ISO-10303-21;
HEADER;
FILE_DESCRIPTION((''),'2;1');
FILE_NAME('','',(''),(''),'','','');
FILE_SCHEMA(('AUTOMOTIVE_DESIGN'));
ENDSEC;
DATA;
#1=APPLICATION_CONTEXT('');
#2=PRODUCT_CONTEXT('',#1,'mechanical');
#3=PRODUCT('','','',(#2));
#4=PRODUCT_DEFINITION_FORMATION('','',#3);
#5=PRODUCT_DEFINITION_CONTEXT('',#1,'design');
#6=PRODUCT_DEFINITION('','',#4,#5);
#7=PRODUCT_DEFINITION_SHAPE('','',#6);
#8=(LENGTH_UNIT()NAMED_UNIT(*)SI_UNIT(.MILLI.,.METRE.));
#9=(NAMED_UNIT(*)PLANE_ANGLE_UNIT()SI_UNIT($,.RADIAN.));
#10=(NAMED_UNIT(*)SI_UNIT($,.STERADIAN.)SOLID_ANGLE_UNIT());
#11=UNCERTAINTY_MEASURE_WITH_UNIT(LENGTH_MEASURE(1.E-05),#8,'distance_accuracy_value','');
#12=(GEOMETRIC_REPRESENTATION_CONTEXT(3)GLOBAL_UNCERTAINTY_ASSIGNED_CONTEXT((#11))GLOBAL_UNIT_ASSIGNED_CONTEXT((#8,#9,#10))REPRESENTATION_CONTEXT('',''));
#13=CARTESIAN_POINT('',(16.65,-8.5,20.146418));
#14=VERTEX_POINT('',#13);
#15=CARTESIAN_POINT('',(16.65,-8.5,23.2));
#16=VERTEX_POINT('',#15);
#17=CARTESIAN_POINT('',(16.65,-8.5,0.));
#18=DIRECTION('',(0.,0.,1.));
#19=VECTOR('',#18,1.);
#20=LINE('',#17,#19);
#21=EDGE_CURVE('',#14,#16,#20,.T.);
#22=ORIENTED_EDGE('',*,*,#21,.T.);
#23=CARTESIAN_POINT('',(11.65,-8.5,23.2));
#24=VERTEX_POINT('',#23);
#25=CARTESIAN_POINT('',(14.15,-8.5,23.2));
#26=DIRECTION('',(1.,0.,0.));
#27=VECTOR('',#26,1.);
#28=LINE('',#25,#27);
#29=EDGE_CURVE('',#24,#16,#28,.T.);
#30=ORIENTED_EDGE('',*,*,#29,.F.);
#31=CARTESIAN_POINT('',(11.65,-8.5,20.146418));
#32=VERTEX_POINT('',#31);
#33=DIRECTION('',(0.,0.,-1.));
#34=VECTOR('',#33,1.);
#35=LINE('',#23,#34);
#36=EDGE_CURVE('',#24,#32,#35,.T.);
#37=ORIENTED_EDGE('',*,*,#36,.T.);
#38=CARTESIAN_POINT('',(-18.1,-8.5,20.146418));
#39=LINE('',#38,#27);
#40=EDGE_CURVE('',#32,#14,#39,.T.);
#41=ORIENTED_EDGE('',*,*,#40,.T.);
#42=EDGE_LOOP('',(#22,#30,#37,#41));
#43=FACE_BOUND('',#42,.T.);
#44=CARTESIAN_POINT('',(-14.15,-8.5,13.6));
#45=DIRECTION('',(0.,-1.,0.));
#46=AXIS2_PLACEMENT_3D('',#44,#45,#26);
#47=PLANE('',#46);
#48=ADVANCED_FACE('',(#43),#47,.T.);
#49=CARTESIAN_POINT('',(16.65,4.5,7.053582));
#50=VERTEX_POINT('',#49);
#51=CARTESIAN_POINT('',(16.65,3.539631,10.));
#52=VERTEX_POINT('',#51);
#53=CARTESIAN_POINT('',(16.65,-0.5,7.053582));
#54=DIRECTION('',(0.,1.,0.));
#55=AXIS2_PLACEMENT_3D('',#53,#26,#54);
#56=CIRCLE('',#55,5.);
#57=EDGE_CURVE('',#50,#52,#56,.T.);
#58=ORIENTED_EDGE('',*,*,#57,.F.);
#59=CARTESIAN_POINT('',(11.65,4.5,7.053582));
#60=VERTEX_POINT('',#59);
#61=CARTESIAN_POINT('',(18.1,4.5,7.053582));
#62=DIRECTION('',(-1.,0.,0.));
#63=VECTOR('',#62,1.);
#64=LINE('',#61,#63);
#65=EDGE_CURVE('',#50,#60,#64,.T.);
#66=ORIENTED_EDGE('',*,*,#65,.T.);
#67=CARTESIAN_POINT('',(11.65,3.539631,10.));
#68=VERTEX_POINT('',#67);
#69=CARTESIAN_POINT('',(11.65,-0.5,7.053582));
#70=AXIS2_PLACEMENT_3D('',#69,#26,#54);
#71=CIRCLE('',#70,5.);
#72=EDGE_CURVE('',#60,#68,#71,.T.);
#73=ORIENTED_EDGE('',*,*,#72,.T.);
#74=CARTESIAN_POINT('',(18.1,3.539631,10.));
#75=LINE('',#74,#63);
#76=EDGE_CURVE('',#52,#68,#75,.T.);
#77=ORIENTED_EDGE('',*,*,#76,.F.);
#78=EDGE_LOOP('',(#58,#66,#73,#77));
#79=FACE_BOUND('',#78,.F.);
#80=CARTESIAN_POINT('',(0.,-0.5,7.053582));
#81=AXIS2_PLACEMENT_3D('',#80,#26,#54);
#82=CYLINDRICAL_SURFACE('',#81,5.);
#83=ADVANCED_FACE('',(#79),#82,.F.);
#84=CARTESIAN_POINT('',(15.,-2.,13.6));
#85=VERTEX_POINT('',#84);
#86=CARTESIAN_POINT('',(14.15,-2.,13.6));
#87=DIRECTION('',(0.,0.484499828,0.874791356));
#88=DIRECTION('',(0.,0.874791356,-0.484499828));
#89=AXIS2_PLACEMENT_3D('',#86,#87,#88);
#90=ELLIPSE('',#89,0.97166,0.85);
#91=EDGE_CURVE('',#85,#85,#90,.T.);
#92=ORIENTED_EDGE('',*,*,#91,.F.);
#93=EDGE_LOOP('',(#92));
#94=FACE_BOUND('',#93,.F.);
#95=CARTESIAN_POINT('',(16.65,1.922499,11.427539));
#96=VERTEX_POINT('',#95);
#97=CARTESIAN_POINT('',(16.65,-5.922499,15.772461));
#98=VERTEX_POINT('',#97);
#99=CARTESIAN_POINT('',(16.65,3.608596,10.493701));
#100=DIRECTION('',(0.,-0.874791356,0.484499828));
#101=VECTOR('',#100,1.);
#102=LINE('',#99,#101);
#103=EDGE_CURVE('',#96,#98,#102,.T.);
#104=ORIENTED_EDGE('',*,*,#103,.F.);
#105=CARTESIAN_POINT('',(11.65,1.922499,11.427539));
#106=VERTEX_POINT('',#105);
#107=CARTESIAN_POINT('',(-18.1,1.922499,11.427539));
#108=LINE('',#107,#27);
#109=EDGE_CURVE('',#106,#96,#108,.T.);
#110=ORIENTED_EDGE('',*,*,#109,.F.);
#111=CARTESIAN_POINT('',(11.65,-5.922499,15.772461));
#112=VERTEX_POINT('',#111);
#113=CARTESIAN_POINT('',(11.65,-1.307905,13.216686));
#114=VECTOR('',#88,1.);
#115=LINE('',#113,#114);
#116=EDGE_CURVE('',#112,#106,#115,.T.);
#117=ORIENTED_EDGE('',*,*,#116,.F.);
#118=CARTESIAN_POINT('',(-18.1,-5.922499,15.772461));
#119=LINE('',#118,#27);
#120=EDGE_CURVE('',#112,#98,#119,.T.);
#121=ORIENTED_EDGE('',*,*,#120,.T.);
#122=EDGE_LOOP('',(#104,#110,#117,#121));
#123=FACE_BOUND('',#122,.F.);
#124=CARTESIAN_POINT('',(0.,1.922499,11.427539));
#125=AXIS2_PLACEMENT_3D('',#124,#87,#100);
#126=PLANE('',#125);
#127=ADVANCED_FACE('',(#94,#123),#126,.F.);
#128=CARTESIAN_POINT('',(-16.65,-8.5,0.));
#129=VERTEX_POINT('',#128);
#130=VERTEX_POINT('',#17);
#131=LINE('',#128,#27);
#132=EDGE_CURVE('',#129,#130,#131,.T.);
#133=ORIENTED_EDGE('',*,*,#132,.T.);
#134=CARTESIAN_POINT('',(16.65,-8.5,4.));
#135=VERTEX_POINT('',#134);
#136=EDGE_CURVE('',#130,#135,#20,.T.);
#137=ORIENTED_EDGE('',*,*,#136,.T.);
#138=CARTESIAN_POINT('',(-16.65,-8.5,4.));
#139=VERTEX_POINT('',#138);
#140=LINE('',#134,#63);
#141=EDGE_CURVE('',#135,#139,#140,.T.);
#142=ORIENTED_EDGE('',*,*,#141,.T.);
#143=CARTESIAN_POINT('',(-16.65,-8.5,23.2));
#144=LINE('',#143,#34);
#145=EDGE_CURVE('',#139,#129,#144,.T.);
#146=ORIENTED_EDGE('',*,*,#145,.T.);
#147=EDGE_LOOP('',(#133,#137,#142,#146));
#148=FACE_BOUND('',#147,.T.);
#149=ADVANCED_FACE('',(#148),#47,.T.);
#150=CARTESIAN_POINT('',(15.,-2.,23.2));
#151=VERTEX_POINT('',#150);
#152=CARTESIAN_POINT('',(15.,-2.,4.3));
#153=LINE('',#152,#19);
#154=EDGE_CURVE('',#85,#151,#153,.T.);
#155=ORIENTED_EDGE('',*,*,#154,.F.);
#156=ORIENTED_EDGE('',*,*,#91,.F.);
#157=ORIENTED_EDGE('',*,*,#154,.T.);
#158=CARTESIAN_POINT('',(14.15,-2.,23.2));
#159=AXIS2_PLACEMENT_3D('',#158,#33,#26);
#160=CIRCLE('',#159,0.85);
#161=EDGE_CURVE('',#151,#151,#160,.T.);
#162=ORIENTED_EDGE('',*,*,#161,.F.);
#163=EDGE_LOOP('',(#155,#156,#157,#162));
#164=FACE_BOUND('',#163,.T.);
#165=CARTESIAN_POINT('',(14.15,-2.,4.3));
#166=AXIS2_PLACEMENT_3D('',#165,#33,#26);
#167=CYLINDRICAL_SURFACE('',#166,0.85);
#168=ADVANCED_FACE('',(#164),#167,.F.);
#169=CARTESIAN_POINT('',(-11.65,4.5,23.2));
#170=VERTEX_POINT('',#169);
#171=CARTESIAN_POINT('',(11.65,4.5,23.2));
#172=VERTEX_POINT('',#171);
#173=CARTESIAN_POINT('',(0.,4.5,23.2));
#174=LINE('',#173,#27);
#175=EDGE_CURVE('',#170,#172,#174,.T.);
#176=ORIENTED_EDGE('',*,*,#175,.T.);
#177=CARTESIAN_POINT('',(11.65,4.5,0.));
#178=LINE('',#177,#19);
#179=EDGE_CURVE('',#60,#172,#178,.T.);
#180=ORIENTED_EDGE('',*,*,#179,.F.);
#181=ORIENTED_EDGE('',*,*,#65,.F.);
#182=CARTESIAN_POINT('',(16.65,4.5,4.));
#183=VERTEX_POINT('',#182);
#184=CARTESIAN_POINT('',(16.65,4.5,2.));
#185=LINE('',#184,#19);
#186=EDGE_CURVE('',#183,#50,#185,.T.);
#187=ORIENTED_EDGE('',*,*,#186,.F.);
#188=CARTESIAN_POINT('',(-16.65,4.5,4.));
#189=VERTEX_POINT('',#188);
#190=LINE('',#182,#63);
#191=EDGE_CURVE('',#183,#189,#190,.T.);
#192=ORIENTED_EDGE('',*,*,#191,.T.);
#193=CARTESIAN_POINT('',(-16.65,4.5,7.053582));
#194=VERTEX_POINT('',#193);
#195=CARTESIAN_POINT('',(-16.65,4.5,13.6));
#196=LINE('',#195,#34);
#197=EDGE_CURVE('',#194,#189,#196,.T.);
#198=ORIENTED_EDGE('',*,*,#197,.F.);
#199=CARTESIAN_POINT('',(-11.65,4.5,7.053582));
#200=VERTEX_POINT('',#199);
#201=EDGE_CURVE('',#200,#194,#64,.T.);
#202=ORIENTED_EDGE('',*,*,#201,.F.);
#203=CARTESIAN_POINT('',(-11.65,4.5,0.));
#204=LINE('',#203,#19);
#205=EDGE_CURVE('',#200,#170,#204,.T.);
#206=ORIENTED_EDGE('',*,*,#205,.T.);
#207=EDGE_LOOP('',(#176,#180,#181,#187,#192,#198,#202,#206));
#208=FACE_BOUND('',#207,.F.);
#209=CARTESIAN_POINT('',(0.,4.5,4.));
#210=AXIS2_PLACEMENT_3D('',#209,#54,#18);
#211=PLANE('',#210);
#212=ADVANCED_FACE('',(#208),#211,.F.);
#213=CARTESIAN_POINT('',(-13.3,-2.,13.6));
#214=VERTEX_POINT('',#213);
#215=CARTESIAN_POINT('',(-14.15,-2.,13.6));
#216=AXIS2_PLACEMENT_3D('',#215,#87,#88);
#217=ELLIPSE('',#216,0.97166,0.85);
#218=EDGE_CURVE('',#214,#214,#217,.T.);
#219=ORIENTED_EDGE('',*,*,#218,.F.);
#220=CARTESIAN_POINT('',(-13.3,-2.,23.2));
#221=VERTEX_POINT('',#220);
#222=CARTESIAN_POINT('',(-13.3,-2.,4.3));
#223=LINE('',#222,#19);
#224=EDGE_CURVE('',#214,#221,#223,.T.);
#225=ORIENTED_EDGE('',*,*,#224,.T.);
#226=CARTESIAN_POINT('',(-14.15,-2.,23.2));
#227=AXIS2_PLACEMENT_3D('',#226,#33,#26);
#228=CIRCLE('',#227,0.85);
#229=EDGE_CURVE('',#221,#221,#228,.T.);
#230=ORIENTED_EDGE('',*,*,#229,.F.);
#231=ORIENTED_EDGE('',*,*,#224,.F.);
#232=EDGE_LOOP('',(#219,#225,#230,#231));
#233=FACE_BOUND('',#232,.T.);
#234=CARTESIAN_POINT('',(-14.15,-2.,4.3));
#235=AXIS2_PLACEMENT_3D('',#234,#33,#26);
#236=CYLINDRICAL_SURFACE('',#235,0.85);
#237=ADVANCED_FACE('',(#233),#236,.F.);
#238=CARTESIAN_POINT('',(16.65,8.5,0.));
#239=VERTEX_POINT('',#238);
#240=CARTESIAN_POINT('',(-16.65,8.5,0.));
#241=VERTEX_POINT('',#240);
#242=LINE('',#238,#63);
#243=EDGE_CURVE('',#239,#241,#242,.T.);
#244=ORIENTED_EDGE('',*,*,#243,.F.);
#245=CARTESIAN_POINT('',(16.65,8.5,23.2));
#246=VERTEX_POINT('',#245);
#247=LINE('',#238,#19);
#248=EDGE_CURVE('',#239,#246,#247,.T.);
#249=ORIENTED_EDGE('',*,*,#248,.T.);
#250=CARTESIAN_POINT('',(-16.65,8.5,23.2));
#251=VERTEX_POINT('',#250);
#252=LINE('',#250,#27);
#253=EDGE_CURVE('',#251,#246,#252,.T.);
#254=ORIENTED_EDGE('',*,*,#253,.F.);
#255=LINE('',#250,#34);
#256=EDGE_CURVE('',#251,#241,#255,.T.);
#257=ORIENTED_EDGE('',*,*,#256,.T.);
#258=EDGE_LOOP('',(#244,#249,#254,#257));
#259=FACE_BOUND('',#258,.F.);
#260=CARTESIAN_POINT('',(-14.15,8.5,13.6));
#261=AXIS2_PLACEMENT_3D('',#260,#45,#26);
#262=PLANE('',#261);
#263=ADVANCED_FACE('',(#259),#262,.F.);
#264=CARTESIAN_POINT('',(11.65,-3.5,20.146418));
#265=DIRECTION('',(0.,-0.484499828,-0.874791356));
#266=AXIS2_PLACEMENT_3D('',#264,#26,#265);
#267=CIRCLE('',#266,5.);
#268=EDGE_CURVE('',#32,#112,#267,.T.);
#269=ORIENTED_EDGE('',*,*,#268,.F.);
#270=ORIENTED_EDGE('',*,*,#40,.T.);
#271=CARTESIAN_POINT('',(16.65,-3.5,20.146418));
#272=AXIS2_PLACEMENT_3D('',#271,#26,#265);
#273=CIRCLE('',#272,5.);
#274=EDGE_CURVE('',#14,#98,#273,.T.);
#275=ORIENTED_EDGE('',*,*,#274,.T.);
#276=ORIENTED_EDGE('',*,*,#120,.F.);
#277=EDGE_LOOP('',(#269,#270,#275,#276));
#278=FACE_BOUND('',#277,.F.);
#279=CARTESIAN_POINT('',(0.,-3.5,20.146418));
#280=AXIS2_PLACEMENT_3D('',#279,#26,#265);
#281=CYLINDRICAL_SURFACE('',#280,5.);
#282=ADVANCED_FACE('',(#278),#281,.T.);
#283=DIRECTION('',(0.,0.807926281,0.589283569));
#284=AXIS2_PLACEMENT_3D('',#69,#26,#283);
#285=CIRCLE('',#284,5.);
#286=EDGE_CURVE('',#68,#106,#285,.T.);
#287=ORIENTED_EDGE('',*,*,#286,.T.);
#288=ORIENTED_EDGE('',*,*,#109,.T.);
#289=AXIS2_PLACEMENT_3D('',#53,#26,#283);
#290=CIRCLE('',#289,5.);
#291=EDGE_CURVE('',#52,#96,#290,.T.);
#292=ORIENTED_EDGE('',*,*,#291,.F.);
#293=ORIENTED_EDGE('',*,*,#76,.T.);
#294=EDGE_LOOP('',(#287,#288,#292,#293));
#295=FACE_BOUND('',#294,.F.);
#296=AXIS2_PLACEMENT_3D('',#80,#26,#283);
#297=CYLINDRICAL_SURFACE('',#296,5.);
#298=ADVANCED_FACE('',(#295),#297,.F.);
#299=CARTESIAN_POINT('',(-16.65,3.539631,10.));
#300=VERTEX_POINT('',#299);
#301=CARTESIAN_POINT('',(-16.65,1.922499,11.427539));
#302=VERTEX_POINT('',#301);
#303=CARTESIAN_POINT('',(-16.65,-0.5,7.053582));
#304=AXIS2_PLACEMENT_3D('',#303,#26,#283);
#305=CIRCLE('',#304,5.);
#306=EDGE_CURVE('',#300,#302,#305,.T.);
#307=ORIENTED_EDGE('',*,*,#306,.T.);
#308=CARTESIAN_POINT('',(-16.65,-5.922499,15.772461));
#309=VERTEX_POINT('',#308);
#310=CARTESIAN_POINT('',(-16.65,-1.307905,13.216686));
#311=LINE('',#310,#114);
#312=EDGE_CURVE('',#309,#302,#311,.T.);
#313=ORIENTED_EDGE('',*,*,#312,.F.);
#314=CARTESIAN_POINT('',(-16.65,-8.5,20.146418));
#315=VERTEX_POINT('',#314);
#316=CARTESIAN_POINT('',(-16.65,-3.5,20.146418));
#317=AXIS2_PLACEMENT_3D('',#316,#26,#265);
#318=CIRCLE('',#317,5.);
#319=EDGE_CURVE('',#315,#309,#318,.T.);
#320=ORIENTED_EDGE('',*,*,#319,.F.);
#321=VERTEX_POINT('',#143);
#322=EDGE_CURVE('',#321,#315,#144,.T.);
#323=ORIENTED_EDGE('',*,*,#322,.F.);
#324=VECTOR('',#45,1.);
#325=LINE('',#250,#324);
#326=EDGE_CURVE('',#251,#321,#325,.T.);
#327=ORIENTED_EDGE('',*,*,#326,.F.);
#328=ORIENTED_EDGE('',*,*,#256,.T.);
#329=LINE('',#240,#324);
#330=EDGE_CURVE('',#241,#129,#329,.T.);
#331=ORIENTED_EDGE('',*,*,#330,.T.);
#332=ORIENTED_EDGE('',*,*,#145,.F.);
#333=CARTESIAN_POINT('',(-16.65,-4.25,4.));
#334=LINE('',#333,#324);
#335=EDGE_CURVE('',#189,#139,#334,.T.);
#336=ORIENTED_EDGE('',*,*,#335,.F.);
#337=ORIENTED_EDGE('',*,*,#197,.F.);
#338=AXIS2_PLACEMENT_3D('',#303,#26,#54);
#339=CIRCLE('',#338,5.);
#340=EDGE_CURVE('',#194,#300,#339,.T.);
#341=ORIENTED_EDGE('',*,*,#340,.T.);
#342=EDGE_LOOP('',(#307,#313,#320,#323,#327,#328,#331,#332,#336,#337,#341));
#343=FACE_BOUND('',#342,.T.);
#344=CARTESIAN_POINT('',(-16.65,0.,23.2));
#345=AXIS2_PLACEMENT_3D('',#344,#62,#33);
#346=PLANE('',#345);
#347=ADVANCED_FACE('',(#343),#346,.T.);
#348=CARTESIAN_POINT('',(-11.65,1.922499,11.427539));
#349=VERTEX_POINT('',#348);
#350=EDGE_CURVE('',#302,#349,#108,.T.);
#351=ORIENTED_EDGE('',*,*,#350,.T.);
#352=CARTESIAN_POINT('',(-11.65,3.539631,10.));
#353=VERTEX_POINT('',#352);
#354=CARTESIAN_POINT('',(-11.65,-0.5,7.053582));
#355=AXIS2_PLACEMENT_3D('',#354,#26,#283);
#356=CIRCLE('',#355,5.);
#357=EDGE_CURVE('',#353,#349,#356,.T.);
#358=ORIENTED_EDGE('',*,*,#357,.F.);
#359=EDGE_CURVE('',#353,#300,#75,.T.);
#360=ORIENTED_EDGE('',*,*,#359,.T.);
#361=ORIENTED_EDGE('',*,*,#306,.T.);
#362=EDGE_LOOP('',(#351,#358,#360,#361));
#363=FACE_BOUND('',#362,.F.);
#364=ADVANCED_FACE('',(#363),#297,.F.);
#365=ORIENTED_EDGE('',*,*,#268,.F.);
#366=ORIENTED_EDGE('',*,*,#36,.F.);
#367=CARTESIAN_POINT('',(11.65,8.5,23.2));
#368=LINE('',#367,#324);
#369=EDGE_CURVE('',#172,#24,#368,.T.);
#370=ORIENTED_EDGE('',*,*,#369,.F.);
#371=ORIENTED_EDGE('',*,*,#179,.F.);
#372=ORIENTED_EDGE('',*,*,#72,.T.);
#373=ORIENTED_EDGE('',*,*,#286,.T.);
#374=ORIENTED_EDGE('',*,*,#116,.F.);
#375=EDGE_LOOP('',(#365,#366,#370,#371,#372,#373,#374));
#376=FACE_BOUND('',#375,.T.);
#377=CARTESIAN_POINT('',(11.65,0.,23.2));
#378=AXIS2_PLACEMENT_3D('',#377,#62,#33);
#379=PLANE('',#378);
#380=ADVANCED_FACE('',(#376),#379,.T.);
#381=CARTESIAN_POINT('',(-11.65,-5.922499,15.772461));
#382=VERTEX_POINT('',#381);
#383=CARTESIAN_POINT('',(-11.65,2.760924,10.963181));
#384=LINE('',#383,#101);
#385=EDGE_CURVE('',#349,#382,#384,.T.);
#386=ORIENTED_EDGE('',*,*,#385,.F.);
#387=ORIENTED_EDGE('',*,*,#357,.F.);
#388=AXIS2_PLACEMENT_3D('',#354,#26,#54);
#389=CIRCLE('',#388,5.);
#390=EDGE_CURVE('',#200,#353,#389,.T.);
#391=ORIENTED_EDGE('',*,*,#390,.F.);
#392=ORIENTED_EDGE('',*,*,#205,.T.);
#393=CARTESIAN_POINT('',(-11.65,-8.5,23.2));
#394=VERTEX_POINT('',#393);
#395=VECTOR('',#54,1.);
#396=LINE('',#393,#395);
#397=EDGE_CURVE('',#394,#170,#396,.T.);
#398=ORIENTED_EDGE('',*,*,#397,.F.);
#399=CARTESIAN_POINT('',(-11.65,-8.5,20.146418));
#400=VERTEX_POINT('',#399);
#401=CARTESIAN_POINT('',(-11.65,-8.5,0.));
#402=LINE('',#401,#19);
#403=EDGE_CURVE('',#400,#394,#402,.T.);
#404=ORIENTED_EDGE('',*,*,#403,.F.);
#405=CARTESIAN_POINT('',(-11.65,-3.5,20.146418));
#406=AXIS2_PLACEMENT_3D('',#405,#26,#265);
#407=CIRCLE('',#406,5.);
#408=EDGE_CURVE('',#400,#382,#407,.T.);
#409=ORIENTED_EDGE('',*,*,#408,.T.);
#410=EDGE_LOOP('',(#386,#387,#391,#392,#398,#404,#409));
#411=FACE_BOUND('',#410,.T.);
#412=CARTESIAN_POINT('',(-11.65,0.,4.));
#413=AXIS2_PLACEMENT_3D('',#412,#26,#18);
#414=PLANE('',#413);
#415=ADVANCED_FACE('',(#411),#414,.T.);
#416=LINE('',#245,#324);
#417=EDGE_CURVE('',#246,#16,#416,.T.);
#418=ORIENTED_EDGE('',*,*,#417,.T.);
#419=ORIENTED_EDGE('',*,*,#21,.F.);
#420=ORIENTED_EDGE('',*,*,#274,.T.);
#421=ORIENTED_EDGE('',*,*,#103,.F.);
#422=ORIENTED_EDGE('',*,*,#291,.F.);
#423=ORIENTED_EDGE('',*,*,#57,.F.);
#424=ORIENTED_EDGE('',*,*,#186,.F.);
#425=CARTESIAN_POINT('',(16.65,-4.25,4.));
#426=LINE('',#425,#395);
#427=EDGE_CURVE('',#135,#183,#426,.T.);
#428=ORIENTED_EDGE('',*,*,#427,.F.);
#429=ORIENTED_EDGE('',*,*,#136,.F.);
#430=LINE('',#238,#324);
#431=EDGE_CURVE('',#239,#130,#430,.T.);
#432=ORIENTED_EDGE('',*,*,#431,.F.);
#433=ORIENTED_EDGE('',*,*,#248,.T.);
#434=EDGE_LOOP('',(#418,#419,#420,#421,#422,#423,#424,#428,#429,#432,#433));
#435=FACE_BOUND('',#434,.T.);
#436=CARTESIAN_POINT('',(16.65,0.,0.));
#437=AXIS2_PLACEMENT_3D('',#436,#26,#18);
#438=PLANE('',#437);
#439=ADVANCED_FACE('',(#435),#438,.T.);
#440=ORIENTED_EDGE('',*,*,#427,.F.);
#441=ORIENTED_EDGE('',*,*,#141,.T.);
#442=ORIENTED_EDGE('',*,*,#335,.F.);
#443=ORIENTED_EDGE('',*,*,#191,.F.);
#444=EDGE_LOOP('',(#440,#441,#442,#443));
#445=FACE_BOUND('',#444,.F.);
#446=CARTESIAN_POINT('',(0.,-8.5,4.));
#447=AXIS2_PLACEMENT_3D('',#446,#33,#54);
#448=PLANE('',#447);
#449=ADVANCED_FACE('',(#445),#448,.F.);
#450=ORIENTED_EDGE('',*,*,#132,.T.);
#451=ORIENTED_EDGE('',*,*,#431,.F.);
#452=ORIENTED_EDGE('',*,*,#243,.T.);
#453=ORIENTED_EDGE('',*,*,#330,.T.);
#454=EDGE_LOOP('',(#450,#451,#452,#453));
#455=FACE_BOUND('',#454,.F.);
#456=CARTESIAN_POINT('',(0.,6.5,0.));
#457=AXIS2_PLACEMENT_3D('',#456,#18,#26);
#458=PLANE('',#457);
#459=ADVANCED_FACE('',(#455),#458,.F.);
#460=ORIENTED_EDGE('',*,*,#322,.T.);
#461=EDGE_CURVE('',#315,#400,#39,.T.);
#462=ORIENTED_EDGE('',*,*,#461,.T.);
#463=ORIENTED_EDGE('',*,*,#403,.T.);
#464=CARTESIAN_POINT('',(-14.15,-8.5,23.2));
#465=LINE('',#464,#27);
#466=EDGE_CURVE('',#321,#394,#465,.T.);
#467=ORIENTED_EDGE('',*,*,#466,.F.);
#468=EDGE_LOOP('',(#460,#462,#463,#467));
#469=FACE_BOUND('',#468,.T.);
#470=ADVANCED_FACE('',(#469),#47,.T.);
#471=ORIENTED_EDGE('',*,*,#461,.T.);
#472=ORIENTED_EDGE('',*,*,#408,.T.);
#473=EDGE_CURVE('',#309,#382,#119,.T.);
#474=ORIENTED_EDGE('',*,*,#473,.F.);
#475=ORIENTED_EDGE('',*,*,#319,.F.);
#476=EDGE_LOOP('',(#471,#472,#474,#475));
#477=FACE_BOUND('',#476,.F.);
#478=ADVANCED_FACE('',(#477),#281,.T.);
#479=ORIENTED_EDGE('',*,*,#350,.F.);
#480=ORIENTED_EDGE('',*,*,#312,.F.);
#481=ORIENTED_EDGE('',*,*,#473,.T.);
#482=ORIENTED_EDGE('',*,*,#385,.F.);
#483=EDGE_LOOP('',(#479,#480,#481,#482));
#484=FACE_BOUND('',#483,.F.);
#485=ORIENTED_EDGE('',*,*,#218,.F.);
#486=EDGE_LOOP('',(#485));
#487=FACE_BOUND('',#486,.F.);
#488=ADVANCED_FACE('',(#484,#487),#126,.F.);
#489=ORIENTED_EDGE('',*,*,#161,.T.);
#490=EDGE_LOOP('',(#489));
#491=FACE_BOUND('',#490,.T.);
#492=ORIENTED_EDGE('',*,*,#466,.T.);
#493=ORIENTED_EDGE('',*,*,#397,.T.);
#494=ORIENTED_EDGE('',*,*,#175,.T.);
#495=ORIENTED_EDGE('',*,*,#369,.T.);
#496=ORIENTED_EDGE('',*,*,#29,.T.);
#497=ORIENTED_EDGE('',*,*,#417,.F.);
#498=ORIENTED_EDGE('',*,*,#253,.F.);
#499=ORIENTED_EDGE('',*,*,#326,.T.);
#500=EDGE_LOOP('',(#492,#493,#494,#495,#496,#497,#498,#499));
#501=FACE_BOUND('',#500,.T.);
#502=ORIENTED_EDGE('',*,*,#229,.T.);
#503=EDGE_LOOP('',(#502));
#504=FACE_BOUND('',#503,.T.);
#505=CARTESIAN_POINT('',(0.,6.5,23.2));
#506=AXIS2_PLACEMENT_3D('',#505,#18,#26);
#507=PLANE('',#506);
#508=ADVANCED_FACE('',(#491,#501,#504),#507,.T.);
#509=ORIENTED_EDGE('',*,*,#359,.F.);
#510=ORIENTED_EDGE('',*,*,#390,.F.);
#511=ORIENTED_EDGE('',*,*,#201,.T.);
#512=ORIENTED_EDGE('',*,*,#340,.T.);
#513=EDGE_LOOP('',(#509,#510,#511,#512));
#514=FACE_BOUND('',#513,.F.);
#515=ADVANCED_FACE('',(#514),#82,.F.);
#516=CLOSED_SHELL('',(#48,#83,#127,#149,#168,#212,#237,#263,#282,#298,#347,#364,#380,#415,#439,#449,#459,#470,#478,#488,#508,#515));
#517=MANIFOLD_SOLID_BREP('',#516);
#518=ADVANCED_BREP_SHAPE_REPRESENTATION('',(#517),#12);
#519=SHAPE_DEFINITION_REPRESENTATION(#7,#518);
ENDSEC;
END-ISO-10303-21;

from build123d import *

# Parameters (mm, degrees)
F1_W     = 5
F1_H     = 7.2
F1_H_2   = 6
F1_H_3   = 4
F1_W_2   = 23.3
F3_DEPTH = 8.5
F0_W     = 23.3
F0_H     = 4
F4_DEPTH = 23.2
F5_DEPTH = 18.1
F6_START = 4.3
F0_R     = 0.85
F6_DEPTH = 20.7


with BuildPart() as f3:
    # F1 (on Front) → F3 (new body, symmetric)
    with BuildSketch(Plane.XZ):
        with Locations((-14.15, 13.6)):
            Rectangle(F1_W, F1_H)
        with Locations((-14.15, 20.2)):
            Rectangle(F1_W, F1_H_2)
        with Locations((-14.15, 7)):
            Rectangle(F1_W, F1_H_2)
        with Locations((-14.15, 2)):
            Rectangle(F1_W, F1_H_3)
        with Locations((0, 2)):
            Rectangle(F1_W_2, F1_H_3)
        with Locations((14.15, 2)):
            Rectangle(F1_W, F1_H_3)
        with Locations((14.15, 7)):
            Rectangle(F1_W, F1_H_2)
        with Locations((14.15, 13.6)):
            Rectangle(F1_W, F1_H)
        with Locations((14.15, 20.2)):
            Rectangle(F1_W, F1_H_2)
    extrude(amount=F3_DEPTH, both=True)

    # F0 (on Top) → F4 (join)
    with BuildSketch(Plane.XY):
        with Locations((0, 6.5)):
            Rectangle(F0_W, F0_H)
    extrude(amount=F4_DEPTH)

    # F2 (on Right) → F5 (cut, symmetric)
    with BuildSketch(Plane.YZ):
        with BuildLine():
            Line((-8.5, 17.2), (-8.5, 10))
            Line((-8.5, 10), (3.5396314061, 10))
            ThreePointArc((3.5396314061, 10), (2.8089650426, 10.8020152096), (1.9224991399, 11.4275389379))
            Line((1.9224991399, 11.4275389379), (-5.9224991399, 15.7724610621))
            ThreePointArc((-5.9224991399, 15.7724610621), (-6.8089650426, 16.3979847904), (-7.5396314061, 17.2))
            Line((-7.5396314061, 17.2), (-8.5, 17.2))
        make_face()
        with BuildLine():
            Line((-8.5, 20.1464178425), (-8.5, 17.2))
            Line((-8.5, 17.2), (-7.5396314061, 17.2))
            ThreePointArc((-7.5396314061, 17.2), (-8.2538488107, 18.5969271247), (-8.5, 20.1464178425))
        make_face()
        with BuildLine():
            Line((-8.5, 10), (-8.5, 4))
            Line((-8.5, 4), (4.5, 4))
            Line((4.5, 4), (4.5, 7.0535821575))
            ThreePointArc((4.5, 7.0535821575), (4.2538488107, 8.6030728753), (3.5396314061, 10))
            Line((3.5396314061, 10), (-8.5, 10))
        make_face()
    extrude(amount=F5_DEPTH, both=True, mode=Mode.SUBTRACT)

    # F0 (on Top) → F6 (cut)
    with BuildSketch(Plane.XY.offset(F6_START)):
        with Locations((14.15, -2)):
            Circle(F0_R)
        with Locations((-14.15, -2)):
            Circle(F0_R)
    extrude(amount=F6_DEPTH, mode=Mode.SUBTRACT)


solid = f3.part
